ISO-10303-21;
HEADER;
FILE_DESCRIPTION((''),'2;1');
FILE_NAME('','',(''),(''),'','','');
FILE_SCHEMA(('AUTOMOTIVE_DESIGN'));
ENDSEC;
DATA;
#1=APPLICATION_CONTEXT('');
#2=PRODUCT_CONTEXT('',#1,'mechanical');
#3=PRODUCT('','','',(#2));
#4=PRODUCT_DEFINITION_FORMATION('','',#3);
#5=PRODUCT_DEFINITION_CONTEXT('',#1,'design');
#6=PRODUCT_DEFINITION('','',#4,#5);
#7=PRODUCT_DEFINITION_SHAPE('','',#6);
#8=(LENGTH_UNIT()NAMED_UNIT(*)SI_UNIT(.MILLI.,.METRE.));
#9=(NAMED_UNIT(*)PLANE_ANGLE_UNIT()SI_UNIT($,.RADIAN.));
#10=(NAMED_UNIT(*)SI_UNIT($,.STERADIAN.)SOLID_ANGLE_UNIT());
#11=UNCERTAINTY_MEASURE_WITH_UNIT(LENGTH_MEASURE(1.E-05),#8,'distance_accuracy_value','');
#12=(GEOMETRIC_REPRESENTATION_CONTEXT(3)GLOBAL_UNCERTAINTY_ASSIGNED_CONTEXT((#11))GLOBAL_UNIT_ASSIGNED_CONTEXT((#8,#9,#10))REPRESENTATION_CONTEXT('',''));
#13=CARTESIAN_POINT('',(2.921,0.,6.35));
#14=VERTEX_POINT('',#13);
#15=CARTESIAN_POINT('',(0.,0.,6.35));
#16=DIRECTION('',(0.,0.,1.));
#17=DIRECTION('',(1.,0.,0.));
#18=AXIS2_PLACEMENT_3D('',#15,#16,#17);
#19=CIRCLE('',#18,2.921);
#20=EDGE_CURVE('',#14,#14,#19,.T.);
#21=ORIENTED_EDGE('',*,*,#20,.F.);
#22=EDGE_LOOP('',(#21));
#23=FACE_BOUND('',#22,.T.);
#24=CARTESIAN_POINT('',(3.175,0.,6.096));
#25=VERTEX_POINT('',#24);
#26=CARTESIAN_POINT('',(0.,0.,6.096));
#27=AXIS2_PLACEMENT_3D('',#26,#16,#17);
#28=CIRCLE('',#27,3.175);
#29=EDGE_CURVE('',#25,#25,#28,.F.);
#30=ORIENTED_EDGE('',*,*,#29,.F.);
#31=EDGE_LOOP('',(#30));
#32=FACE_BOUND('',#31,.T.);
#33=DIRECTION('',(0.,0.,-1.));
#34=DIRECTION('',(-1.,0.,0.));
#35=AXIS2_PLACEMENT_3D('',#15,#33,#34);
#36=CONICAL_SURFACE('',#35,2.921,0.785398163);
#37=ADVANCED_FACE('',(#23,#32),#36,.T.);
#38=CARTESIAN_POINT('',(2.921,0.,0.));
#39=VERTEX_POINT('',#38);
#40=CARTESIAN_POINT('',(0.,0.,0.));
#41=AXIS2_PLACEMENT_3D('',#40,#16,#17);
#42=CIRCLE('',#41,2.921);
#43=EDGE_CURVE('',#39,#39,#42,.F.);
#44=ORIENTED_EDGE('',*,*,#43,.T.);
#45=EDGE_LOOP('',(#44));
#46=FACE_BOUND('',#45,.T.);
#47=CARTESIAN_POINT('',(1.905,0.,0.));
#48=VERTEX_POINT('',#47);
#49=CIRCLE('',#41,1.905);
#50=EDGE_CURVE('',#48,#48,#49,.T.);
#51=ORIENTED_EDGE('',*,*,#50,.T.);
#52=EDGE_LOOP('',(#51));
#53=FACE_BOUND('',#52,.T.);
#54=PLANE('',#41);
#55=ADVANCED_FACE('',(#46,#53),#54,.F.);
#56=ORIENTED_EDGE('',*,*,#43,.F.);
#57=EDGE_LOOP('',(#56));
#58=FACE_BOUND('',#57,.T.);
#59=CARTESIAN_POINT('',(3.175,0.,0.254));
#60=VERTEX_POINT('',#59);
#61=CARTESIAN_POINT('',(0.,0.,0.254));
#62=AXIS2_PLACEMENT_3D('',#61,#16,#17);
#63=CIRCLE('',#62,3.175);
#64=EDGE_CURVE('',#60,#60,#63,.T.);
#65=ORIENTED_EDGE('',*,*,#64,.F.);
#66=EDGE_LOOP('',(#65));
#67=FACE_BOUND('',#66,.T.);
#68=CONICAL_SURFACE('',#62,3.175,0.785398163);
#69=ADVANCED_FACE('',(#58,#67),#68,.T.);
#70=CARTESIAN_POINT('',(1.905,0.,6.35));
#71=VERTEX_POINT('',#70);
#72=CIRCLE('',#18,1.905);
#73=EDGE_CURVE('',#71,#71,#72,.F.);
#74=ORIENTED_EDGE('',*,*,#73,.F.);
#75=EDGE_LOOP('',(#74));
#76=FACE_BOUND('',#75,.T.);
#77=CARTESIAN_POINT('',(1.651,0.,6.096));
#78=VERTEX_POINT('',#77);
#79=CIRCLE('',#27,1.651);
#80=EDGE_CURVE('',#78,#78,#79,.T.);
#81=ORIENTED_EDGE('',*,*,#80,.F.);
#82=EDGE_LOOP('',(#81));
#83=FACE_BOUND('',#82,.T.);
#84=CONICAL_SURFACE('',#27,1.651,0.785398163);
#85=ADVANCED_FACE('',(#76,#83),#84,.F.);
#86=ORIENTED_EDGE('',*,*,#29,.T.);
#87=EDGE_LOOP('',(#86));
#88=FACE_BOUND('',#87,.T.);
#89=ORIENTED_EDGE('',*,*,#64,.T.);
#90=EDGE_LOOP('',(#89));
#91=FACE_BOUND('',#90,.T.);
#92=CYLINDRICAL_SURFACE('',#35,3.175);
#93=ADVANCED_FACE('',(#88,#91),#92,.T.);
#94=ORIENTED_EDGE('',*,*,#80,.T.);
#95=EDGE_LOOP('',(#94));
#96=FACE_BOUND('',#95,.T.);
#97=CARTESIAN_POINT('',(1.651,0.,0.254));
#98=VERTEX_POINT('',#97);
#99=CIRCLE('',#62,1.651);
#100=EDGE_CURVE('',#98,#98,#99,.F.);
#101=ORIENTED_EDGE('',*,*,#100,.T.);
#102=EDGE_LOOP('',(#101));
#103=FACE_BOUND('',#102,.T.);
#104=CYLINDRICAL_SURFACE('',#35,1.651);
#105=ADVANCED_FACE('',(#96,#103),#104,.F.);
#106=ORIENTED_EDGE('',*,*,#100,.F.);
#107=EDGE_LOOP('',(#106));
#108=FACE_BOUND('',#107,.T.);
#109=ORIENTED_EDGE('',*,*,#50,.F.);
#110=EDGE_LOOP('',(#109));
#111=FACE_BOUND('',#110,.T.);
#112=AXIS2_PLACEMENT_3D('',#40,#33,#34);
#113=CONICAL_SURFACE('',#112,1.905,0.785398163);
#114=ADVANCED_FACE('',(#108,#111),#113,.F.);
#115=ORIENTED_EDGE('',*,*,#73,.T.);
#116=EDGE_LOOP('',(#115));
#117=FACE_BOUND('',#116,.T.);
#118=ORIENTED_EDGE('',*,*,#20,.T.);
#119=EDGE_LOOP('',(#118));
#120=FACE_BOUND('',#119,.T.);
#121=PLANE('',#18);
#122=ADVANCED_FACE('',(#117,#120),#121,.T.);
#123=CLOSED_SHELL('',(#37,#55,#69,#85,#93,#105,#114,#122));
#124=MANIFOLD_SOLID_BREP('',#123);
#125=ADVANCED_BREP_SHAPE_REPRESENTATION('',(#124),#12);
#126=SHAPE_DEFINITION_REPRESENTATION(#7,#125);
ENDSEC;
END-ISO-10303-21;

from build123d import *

# Parameters (mm, degrees)
SKETCH1_R           = 3.175
SKETCH1_R_2         = 1.651
BOSS_EXTRUDE1_DEPTH = 6.35
CHAMFER1_SIZE       = 0.254


with BuildPart() as part:
    # Sketch1 → Boss-Extrude1 (new body)
    with BuildSketch(Plane.XY):
        Circle(SKETCH1_R)
        Circle(SKETCH1_R_2, mode=Mode.SUBTRACT)
    extrude(amount=BOSS_EXTRUDE1_DEPTH)

    # Chamfer1
    chamfer1_edges = [part.edges().sort_by_distance(p)[0] for p in [
        (-3.175, 0, 0),
        (-3.175, 0, 6.35),
        (-1.651, 0, 0),
        (-1.651, 0, 6.35),
    ]]
    chamfer(chamfer1_edges, length=CHAMFER1_SIZE)


solid = part.part
